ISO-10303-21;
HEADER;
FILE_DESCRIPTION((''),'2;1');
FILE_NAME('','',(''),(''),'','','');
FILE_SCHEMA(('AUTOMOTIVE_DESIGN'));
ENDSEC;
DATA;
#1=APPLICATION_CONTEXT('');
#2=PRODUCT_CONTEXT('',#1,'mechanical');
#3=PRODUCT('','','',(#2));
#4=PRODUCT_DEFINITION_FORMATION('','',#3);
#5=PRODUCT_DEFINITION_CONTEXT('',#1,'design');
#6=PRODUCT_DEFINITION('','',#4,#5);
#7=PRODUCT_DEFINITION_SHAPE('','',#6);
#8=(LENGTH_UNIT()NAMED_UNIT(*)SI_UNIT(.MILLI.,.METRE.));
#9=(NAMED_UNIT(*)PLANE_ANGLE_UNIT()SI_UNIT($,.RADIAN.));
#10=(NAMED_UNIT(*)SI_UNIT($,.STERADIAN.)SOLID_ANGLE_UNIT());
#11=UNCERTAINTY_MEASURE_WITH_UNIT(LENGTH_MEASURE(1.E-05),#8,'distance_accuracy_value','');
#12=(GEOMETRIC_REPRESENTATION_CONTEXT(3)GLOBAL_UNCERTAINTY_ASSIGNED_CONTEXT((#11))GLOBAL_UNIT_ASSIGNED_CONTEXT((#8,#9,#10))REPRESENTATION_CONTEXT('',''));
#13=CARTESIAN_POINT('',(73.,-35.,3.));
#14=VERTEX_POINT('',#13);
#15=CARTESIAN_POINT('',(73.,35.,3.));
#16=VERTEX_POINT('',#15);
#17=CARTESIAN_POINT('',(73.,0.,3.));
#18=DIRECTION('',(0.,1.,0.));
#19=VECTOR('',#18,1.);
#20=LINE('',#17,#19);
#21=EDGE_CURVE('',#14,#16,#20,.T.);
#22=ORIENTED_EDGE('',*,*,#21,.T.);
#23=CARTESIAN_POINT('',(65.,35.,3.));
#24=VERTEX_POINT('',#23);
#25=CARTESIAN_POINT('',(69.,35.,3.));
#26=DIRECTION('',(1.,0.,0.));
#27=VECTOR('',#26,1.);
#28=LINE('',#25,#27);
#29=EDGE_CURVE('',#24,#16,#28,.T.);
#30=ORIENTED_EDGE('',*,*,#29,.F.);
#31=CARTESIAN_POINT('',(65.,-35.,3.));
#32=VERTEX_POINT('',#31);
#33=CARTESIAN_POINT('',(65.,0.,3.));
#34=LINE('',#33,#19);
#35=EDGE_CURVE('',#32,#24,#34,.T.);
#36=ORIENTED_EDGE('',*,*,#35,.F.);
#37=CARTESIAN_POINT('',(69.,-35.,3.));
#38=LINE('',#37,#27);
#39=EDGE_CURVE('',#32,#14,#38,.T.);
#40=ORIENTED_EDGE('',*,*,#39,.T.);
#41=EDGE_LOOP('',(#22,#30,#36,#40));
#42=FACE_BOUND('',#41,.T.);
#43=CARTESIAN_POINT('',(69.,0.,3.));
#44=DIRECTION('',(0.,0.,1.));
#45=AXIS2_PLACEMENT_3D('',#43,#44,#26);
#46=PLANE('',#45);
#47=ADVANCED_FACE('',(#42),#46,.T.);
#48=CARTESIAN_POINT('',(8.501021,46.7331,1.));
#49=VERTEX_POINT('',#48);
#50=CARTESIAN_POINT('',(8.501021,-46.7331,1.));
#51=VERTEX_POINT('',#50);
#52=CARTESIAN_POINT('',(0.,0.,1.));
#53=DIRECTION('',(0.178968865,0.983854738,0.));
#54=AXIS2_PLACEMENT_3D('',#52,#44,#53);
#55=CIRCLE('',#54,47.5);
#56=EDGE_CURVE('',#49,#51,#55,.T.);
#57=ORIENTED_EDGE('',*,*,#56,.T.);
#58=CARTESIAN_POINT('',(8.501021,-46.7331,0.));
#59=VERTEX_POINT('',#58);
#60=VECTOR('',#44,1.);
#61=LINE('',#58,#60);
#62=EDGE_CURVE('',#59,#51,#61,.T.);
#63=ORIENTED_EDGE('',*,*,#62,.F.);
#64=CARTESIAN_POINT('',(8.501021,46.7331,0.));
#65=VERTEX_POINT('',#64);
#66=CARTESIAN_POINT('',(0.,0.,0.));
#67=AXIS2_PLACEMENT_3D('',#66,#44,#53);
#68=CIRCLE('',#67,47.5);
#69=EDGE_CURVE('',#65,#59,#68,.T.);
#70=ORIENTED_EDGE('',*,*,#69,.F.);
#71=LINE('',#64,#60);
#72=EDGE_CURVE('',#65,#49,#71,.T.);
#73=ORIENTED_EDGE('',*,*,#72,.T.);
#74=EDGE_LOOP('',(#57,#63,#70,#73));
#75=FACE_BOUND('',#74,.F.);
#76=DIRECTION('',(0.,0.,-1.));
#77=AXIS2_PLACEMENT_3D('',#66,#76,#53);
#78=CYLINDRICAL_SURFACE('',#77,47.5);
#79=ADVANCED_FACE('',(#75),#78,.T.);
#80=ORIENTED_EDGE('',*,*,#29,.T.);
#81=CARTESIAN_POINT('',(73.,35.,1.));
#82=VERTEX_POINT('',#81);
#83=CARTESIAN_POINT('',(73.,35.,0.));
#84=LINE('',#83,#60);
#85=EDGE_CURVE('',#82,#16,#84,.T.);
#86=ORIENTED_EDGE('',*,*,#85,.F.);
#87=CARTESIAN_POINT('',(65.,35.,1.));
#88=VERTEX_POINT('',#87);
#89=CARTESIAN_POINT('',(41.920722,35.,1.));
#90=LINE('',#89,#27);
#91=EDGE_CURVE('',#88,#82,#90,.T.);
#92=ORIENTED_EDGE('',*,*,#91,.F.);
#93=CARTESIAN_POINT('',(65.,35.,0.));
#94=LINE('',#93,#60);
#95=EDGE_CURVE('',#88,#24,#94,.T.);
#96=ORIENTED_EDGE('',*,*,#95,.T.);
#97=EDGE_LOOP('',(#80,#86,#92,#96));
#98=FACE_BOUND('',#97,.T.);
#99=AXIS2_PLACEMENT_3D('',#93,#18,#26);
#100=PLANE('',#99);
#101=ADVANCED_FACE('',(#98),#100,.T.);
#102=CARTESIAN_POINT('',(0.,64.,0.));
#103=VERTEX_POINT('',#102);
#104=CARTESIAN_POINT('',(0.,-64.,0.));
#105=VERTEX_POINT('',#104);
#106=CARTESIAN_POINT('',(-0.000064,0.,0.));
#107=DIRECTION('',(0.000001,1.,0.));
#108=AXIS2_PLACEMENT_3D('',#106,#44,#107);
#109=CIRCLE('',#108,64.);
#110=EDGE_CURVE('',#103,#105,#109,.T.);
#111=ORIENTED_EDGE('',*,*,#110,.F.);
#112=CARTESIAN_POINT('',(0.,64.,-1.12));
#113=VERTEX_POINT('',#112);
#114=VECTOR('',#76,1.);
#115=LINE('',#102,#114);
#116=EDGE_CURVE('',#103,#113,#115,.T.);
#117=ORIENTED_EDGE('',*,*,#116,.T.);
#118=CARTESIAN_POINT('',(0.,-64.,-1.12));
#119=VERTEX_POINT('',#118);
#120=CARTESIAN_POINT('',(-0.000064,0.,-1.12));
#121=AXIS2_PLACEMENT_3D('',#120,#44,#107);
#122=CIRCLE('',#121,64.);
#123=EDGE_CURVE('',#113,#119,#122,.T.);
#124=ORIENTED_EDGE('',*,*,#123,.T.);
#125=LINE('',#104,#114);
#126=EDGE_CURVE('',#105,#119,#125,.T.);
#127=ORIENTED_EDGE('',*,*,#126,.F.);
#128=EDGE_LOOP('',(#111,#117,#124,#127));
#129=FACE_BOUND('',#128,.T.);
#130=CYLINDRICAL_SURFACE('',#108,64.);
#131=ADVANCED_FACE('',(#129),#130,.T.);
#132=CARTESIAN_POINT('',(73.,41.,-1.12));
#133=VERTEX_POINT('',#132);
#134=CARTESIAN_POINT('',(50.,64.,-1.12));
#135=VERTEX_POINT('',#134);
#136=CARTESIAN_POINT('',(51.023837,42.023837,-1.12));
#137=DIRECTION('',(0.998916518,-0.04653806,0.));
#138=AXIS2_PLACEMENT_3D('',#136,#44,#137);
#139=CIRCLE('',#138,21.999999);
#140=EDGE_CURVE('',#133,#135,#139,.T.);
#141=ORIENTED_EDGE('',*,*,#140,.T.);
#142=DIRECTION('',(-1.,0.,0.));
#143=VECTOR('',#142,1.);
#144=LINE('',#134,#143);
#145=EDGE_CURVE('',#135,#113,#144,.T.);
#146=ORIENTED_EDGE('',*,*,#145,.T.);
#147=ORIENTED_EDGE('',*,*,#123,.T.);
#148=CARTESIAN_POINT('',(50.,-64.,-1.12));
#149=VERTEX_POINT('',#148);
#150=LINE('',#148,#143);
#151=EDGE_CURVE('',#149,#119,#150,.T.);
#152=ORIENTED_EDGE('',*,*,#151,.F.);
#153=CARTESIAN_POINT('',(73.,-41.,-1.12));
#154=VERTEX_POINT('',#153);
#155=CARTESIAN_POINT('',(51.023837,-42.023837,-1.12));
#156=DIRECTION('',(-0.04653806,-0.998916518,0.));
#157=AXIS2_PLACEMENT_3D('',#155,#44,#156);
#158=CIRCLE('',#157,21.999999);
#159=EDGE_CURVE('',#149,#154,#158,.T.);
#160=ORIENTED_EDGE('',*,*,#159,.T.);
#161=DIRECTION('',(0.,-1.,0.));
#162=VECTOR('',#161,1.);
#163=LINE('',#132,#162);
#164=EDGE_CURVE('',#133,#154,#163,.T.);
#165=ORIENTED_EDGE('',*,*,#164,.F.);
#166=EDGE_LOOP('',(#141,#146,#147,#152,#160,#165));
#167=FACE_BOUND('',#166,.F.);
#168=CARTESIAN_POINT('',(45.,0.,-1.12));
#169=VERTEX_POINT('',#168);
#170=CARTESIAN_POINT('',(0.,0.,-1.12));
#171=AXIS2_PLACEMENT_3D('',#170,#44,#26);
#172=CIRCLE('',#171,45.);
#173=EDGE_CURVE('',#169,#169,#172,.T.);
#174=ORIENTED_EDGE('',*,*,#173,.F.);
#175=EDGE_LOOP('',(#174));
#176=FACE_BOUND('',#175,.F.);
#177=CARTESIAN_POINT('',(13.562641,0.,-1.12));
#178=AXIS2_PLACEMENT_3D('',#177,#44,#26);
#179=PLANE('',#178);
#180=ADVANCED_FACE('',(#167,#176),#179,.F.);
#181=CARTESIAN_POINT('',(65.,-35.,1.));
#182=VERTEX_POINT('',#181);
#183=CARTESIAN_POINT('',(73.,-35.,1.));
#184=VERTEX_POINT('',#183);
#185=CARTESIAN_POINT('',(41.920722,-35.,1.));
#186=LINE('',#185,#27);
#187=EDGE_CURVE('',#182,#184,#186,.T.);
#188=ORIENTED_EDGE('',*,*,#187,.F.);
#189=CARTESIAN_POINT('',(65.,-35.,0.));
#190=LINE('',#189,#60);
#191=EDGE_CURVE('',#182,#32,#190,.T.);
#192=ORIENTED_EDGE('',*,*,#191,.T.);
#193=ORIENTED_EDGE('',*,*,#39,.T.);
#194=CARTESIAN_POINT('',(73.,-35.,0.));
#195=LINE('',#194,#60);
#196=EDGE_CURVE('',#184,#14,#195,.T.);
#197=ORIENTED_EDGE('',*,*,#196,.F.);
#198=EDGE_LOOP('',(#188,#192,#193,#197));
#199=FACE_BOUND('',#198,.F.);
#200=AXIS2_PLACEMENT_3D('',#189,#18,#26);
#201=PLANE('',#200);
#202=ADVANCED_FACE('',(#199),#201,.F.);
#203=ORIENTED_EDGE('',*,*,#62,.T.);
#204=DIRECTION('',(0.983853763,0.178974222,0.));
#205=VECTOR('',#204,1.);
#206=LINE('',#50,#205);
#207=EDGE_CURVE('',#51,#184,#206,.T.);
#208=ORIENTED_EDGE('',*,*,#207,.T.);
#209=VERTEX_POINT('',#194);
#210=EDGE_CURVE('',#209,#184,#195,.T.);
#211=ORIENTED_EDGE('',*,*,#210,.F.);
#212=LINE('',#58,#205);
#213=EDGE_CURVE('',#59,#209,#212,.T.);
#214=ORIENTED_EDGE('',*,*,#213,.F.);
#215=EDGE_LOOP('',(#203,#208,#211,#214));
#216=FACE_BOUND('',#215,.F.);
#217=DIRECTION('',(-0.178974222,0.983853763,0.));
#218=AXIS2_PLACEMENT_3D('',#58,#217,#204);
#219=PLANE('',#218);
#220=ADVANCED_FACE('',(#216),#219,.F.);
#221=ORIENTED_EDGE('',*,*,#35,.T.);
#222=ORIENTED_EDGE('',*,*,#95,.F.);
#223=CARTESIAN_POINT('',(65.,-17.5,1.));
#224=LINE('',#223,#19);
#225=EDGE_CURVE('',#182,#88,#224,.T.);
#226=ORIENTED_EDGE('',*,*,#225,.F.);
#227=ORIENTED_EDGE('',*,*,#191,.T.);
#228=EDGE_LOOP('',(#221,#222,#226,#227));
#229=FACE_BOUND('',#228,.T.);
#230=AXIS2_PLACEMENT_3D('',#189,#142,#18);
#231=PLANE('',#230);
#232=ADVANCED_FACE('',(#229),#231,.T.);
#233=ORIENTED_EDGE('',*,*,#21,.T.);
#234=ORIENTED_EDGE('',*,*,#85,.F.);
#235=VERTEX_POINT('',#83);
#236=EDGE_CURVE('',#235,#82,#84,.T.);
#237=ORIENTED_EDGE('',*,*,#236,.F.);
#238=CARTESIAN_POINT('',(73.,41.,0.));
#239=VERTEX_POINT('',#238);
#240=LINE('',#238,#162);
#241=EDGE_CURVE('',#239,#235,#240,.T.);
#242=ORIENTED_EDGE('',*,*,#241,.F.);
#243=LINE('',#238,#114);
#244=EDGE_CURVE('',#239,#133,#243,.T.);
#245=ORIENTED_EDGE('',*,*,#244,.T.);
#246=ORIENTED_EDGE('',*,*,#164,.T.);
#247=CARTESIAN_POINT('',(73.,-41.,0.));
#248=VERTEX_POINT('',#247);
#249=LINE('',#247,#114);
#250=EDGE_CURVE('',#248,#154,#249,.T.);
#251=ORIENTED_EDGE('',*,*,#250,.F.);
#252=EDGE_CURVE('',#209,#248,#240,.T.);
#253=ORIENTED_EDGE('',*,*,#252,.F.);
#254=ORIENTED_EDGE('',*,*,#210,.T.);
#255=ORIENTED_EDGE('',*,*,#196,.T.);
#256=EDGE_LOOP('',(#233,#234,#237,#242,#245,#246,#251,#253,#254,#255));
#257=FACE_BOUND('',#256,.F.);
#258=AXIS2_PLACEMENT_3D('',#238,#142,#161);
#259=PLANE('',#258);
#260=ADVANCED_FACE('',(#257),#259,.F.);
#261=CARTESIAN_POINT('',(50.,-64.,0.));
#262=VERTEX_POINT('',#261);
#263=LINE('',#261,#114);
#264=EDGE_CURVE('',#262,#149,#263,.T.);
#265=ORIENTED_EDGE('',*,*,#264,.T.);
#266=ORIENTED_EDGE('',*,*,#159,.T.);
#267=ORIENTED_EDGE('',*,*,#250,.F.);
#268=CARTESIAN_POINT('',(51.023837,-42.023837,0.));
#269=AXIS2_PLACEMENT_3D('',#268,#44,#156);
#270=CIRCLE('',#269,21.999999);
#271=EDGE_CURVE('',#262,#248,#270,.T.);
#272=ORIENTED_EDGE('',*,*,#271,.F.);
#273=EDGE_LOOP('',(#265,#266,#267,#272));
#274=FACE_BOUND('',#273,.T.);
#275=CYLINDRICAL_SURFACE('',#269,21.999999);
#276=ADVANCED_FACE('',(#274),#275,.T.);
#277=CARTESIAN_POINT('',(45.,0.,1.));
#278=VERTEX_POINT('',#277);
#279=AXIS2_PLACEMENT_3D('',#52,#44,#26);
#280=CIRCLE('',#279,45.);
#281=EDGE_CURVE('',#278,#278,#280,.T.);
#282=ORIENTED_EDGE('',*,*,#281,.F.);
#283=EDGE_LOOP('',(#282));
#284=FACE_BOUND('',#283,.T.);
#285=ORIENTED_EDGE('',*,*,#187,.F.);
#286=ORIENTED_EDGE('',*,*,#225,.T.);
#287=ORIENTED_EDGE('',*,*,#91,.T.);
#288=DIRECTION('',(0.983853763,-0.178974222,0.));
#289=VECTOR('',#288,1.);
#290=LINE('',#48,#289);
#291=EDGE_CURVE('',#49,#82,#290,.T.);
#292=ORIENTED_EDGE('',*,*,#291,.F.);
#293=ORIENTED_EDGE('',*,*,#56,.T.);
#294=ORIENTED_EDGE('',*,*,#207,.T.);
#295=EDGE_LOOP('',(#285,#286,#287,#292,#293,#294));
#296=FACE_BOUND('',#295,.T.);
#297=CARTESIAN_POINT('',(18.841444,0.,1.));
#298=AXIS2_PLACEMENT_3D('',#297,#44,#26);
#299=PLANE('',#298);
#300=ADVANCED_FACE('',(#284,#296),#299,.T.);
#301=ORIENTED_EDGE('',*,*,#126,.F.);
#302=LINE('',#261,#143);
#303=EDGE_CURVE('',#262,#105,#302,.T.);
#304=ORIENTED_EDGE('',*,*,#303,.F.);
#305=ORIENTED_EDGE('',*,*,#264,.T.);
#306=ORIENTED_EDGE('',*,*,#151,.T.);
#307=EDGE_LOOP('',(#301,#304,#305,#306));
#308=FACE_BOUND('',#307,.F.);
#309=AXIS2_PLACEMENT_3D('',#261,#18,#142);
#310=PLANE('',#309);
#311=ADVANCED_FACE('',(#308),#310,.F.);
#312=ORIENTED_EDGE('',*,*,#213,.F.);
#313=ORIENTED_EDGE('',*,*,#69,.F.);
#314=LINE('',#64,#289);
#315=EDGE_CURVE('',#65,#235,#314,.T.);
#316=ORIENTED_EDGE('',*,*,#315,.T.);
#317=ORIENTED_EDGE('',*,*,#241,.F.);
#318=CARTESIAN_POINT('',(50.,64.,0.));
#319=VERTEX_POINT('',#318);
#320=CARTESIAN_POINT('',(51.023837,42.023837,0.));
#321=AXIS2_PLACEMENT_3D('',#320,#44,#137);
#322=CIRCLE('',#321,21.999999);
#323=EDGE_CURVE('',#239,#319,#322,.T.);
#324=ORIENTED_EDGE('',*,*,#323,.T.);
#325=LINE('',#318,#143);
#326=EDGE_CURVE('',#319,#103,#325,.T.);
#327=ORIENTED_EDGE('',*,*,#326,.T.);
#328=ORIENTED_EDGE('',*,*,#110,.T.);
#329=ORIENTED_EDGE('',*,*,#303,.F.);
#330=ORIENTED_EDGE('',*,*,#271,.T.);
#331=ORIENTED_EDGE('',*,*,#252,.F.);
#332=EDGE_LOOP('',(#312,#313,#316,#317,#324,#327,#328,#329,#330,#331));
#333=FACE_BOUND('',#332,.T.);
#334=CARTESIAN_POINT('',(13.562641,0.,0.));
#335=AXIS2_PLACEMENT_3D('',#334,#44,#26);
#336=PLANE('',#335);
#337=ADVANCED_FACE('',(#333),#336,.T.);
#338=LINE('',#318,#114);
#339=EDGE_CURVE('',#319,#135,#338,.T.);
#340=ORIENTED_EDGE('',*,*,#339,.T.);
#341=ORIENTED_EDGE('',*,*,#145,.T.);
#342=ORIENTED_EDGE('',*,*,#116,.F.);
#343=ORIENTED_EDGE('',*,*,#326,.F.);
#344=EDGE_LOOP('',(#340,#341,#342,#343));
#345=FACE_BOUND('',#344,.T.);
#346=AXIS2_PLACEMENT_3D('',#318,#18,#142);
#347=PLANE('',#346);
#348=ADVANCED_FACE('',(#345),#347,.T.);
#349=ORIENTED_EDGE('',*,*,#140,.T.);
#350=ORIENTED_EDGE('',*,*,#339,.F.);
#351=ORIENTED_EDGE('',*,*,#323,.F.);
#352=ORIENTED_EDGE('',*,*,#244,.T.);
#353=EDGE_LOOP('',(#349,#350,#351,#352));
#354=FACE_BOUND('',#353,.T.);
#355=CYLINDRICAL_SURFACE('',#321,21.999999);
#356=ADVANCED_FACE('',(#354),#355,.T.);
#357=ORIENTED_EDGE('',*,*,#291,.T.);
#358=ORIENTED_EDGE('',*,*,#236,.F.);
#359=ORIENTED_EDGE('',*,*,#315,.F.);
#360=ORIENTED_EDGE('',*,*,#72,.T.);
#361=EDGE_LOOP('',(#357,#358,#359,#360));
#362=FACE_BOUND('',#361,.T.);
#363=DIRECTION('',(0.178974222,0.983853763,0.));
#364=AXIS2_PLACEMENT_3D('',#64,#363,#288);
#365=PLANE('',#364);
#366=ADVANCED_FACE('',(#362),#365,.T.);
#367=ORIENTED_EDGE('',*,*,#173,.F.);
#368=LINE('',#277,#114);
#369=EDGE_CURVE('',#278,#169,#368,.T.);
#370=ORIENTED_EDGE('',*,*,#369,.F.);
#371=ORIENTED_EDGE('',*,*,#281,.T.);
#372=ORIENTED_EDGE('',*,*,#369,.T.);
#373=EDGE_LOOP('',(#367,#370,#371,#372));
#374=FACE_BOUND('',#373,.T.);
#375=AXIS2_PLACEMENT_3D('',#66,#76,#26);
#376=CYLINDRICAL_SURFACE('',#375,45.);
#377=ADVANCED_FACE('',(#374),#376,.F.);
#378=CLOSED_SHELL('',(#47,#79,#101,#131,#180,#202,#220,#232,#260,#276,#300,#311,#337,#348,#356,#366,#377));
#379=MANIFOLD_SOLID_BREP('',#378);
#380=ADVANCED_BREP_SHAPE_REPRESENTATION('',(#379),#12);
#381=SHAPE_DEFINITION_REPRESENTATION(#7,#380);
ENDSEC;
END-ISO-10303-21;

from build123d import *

# Parameters (mm, degrees)
SKETCH001_R  = 45
PAD_DEPTH    = 1.12
SKETCH_W     = 8
SKETCH_H     = 70
PAD003_DEPTH = 3
SKETCH024_R  = 45
PAD006_DEPTH = 1


with BuildPart() as part:
    # Sketch001 → Pad (new body)
    with BuildSketch(Plane.XY):
        with BuildLine():
            Line((50, 64), (0, 64))
            ThreePointArc((0, 64), (-64.000064, 0), (0, -64))
            Line((50, -64), (0, -64))
            ThreePointArc((50, -64), (66.580186, -57.580186), (73, -41))
            Line((73, 41), (73, -41))
            ThreePointArc((73, 41), (66.580186, 57.580186), (50, 64))
        make_face()
        Circle(SKETCH001_R, mode=Mode.SUBTRACT)
    extrude(amount=-PAD_DEPTH)

    # Sketch → Pad003 (new body)
    with BuildSketch(Plane.XY):
        with Locations((69, 0)):
            Rectangle(SKETCH_W, SKETCH_H)
    extrude(amount=PAD003_DEPTH)

    # Sketch024 → Pad006 (new body)
    with BuildSketch(Plane.XY):
        with BuildLine():
            ThreePointArc((8.501021, 46.7331), (-47.5, 0), (8.501021, -46.7331))
            Line((8.501021, -46.7331), (73, -35))
            Line((73, 35), (73, -35))
            Line((8.501021, 46.7331), (73, 35))
        make_face()
        Circle(SKETCH024_R, mode=Mode.SUBTRACT)
    extrude(amount=PAD006_DEPTH)


solid = part.part
